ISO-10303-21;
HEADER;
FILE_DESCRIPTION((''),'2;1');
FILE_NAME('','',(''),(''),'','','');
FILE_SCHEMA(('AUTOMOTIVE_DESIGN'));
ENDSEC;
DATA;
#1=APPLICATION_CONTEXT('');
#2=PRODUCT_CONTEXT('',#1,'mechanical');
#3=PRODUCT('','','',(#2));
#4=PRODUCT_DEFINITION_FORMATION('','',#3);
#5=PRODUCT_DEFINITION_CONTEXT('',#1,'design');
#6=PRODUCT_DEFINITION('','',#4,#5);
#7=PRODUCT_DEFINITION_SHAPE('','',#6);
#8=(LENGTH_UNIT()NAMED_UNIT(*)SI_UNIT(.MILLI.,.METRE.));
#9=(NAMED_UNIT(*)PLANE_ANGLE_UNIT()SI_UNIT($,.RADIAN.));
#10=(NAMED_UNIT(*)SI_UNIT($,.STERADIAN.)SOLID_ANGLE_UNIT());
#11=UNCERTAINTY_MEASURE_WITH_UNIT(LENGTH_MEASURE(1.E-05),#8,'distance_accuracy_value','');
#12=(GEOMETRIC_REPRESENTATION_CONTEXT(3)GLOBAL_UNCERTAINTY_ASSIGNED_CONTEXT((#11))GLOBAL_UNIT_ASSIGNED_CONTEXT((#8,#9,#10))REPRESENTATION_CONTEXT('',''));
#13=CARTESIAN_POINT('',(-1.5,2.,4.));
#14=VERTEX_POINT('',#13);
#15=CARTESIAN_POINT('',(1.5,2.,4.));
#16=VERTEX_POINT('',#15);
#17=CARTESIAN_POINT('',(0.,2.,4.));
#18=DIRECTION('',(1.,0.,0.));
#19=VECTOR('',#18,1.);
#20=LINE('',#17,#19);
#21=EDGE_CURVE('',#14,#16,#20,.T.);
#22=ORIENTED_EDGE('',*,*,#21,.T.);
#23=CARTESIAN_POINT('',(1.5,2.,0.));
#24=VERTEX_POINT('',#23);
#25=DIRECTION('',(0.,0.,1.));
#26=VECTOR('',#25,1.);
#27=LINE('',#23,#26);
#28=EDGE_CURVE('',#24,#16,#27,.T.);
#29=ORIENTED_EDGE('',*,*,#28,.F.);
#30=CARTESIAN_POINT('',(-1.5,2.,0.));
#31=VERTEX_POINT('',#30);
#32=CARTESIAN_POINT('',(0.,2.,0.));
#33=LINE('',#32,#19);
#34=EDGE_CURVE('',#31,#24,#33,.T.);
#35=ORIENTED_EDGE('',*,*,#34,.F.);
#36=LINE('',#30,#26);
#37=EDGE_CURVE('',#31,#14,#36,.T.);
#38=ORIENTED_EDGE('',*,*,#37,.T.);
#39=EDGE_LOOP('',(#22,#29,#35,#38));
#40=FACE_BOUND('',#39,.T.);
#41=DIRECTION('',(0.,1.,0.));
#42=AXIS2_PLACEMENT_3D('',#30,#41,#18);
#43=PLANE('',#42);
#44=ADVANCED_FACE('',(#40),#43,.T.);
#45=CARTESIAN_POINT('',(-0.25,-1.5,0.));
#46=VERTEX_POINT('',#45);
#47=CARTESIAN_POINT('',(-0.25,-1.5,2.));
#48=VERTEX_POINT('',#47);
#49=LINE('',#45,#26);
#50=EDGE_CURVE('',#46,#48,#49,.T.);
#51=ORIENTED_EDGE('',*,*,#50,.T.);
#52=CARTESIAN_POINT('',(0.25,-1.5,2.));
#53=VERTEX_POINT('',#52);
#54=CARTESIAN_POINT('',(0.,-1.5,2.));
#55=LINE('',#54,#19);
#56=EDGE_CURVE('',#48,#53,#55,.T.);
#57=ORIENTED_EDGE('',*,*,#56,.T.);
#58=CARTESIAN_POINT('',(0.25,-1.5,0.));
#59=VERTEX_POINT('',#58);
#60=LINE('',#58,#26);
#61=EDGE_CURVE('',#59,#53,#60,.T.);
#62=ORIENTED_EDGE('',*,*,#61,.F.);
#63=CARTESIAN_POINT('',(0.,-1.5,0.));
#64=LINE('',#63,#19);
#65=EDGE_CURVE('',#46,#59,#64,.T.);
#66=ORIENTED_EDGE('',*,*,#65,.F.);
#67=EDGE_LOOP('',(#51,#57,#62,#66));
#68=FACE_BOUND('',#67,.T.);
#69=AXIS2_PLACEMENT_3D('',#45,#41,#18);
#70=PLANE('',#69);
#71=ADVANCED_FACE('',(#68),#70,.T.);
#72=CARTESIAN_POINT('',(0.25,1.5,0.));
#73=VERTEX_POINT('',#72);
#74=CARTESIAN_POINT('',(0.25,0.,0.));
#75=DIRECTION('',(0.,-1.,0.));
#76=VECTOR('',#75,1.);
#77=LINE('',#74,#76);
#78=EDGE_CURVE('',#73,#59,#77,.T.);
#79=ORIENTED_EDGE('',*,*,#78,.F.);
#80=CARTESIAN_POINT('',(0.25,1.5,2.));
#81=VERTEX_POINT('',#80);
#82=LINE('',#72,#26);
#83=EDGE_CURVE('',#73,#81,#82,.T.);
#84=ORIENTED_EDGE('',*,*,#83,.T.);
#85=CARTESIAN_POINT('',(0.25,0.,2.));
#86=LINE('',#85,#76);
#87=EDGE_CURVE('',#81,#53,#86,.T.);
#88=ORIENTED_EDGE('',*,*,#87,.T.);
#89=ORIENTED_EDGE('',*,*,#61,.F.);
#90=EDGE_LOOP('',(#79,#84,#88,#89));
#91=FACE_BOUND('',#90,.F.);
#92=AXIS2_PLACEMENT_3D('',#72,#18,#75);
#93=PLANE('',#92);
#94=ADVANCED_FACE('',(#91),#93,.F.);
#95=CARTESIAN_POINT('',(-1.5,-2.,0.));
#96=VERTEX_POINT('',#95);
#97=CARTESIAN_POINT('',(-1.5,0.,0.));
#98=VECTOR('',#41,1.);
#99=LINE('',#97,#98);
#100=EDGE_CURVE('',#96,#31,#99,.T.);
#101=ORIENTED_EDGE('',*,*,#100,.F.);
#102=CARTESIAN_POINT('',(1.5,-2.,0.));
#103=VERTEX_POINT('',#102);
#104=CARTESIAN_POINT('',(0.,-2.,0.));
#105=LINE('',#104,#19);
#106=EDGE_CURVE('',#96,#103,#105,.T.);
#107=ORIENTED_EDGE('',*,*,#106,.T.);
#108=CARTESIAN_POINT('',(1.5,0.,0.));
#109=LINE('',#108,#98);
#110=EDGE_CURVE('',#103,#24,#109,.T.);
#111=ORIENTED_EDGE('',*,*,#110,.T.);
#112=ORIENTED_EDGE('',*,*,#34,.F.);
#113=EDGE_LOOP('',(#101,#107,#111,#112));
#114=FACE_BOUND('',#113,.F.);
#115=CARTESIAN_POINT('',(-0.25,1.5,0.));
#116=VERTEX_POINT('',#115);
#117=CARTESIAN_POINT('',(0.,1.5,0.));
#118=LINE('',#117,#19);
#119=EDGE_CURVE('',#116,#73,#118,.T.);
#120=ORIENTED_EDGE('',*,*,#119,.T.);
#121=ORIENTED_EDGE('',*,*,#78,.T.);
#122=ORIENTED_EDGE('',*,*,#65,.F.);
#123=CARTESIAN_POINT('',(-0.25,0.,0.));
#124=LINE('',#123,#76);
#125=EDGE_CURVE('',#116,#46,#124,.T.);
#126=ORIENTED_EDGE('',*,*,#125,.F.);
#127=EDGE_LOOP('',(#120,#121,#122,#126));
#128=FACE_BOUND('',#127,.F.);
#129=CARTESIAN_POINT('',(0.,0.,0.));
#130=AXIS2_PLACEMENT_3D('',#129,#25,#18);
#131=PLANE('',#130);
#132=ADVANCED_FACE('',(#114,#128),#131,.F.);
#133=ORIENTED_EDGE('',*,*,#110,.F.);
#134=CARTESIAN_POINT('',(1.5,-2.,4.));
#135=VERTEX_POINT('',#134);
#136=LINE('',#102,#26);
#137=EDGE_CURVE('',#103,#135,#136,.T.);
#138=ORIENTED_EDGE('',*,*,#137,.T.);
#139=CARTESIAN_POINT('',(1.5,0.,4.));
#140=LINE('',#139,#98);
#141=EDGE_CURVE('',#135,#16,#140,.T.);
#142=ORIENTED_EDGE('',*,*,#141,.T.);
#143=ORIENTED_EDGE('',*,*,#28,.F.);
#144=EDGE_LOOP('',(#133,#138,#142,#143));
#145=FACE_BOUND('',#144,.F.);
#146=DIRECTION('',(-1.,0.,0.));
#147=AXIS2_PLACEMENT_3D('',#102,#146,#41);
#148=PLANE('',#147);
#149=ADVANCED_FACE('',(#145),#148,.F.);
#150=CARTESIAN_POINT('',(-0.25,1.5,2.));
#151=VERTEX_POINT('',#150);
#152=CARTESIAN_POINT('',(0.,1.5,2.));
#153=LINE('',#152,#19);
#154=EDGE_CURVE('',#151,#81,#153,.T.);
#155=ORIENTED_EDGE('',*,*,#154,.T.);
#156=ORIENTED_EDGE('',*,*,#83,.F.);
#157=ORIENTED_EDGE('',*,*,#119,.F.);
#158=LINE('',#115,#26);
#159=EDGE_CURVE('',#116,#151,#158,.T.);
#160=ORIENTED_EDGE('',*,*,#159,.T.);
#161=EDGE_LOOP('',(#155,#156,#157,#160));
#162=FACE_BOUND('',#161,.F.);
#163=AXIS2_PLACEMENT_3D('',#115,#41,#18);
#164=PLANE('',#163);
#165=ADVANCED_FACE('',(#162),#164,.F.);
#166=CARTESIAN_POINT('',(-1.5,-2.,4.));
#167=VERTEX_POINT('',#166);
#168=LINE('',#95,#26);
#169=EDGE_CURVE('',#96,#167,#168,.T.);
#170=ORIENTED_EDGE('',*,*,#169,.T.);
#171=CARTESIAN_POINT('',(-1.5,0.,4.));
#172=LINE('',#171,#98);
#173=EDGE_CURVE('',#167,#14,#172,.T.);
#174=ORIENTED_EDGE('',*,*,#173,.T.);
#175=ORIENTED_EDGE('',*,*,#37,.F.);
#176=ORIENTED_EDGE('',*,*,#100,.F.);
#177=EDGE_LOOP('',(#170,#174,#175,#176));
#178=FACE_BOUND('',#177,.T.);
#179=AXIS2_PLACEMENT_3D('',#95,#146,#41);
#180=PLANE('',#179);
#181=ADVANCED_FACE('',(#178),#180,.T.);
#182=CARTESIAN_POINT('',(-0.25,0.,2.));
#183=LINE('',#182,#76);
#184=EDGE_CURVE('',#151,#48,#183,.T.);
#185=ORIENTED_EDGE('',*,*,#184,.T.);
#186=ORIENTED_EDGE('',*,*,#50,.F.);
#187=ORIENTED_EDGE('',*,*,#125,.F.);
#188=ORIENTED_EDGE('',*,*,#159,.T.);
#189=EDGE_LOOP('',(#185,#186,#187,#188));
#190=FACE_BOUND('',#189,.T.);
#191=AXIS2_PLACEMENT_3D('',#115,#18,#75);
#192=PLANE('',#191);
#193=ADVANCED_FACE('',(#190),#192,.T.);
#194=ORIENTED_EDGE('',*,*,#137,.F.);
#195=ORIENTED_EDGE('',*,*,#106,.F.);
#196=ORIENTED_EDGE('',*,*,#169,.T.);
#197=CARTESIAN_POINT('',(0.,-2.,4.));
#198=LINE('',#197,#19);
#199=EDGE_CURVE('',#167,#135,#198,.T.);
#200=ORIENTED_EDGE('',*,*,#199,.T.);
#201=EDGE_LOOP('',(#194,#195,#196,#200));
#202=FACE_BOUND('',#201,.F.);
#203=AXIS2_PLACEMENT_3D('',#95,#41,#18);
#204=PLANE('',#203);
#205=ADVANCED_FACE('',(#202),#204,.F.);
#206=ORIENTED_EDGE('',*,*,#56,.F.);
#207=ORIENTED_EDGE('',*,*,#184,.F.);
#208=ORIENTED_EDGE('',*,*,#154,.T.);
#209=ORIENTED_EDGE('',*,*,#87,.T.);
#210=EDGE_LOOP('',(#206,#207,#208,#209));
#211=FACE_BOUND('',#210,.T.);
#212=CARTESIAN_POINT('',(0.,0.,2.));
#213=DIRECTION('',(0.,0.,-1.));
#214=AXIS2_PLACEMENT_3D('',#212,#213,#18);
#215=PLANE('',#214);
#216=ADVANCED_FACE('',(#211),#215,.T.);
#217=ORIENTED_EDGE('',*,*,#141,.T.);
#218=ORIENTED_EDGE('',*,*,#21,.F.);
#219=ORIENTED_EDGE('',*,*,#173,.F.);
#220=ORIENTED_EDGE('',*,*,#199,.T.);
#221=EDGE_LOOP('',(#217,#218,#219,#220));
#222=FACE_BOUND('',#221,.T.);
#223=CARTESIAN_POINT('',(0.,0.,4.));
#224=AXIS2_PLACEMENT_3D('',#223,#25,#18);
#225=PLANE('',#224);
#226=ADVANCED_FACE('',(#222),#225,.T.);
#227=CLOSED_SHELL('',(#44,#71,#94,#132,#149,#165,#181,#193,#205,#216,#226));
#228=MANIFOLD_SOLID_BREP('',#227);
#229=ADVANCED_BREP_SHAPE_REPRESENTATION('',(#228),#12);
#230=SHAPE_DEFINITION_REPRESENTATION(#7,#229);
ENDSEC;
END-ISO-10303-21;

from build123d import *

# Parameters (mm, degrees)
SKETCH_W     = 3
SKETCH_H     = 4
PAD_DEPTH    = 4
SKETCH001_W  = 0.5
SKETCH001_H  = 3
POCKET_DEPTH = 2


with BuildPart() as part:
    # Sketch → Pad (new body)
    with BuildSketch(Plane.XY):
        Rectangle(SKETCH_W, SKETCH_H)
    extrude(amount=PAD_DEPTH)

    # Sketch001 (on Face5 of Pad) → Pocket (cut)
    with BuildSketch(Plane(origin=(0, 0, 0), x_dir=(1, 0, 0), z_dir=(0, 0, -1))):
        Rectangle(SKETCH001_W, SKETCH001_H)
    extrude(amount=-POCKET_DEPTH, mode=Mode.SUBTRACT)


solid = part.part
